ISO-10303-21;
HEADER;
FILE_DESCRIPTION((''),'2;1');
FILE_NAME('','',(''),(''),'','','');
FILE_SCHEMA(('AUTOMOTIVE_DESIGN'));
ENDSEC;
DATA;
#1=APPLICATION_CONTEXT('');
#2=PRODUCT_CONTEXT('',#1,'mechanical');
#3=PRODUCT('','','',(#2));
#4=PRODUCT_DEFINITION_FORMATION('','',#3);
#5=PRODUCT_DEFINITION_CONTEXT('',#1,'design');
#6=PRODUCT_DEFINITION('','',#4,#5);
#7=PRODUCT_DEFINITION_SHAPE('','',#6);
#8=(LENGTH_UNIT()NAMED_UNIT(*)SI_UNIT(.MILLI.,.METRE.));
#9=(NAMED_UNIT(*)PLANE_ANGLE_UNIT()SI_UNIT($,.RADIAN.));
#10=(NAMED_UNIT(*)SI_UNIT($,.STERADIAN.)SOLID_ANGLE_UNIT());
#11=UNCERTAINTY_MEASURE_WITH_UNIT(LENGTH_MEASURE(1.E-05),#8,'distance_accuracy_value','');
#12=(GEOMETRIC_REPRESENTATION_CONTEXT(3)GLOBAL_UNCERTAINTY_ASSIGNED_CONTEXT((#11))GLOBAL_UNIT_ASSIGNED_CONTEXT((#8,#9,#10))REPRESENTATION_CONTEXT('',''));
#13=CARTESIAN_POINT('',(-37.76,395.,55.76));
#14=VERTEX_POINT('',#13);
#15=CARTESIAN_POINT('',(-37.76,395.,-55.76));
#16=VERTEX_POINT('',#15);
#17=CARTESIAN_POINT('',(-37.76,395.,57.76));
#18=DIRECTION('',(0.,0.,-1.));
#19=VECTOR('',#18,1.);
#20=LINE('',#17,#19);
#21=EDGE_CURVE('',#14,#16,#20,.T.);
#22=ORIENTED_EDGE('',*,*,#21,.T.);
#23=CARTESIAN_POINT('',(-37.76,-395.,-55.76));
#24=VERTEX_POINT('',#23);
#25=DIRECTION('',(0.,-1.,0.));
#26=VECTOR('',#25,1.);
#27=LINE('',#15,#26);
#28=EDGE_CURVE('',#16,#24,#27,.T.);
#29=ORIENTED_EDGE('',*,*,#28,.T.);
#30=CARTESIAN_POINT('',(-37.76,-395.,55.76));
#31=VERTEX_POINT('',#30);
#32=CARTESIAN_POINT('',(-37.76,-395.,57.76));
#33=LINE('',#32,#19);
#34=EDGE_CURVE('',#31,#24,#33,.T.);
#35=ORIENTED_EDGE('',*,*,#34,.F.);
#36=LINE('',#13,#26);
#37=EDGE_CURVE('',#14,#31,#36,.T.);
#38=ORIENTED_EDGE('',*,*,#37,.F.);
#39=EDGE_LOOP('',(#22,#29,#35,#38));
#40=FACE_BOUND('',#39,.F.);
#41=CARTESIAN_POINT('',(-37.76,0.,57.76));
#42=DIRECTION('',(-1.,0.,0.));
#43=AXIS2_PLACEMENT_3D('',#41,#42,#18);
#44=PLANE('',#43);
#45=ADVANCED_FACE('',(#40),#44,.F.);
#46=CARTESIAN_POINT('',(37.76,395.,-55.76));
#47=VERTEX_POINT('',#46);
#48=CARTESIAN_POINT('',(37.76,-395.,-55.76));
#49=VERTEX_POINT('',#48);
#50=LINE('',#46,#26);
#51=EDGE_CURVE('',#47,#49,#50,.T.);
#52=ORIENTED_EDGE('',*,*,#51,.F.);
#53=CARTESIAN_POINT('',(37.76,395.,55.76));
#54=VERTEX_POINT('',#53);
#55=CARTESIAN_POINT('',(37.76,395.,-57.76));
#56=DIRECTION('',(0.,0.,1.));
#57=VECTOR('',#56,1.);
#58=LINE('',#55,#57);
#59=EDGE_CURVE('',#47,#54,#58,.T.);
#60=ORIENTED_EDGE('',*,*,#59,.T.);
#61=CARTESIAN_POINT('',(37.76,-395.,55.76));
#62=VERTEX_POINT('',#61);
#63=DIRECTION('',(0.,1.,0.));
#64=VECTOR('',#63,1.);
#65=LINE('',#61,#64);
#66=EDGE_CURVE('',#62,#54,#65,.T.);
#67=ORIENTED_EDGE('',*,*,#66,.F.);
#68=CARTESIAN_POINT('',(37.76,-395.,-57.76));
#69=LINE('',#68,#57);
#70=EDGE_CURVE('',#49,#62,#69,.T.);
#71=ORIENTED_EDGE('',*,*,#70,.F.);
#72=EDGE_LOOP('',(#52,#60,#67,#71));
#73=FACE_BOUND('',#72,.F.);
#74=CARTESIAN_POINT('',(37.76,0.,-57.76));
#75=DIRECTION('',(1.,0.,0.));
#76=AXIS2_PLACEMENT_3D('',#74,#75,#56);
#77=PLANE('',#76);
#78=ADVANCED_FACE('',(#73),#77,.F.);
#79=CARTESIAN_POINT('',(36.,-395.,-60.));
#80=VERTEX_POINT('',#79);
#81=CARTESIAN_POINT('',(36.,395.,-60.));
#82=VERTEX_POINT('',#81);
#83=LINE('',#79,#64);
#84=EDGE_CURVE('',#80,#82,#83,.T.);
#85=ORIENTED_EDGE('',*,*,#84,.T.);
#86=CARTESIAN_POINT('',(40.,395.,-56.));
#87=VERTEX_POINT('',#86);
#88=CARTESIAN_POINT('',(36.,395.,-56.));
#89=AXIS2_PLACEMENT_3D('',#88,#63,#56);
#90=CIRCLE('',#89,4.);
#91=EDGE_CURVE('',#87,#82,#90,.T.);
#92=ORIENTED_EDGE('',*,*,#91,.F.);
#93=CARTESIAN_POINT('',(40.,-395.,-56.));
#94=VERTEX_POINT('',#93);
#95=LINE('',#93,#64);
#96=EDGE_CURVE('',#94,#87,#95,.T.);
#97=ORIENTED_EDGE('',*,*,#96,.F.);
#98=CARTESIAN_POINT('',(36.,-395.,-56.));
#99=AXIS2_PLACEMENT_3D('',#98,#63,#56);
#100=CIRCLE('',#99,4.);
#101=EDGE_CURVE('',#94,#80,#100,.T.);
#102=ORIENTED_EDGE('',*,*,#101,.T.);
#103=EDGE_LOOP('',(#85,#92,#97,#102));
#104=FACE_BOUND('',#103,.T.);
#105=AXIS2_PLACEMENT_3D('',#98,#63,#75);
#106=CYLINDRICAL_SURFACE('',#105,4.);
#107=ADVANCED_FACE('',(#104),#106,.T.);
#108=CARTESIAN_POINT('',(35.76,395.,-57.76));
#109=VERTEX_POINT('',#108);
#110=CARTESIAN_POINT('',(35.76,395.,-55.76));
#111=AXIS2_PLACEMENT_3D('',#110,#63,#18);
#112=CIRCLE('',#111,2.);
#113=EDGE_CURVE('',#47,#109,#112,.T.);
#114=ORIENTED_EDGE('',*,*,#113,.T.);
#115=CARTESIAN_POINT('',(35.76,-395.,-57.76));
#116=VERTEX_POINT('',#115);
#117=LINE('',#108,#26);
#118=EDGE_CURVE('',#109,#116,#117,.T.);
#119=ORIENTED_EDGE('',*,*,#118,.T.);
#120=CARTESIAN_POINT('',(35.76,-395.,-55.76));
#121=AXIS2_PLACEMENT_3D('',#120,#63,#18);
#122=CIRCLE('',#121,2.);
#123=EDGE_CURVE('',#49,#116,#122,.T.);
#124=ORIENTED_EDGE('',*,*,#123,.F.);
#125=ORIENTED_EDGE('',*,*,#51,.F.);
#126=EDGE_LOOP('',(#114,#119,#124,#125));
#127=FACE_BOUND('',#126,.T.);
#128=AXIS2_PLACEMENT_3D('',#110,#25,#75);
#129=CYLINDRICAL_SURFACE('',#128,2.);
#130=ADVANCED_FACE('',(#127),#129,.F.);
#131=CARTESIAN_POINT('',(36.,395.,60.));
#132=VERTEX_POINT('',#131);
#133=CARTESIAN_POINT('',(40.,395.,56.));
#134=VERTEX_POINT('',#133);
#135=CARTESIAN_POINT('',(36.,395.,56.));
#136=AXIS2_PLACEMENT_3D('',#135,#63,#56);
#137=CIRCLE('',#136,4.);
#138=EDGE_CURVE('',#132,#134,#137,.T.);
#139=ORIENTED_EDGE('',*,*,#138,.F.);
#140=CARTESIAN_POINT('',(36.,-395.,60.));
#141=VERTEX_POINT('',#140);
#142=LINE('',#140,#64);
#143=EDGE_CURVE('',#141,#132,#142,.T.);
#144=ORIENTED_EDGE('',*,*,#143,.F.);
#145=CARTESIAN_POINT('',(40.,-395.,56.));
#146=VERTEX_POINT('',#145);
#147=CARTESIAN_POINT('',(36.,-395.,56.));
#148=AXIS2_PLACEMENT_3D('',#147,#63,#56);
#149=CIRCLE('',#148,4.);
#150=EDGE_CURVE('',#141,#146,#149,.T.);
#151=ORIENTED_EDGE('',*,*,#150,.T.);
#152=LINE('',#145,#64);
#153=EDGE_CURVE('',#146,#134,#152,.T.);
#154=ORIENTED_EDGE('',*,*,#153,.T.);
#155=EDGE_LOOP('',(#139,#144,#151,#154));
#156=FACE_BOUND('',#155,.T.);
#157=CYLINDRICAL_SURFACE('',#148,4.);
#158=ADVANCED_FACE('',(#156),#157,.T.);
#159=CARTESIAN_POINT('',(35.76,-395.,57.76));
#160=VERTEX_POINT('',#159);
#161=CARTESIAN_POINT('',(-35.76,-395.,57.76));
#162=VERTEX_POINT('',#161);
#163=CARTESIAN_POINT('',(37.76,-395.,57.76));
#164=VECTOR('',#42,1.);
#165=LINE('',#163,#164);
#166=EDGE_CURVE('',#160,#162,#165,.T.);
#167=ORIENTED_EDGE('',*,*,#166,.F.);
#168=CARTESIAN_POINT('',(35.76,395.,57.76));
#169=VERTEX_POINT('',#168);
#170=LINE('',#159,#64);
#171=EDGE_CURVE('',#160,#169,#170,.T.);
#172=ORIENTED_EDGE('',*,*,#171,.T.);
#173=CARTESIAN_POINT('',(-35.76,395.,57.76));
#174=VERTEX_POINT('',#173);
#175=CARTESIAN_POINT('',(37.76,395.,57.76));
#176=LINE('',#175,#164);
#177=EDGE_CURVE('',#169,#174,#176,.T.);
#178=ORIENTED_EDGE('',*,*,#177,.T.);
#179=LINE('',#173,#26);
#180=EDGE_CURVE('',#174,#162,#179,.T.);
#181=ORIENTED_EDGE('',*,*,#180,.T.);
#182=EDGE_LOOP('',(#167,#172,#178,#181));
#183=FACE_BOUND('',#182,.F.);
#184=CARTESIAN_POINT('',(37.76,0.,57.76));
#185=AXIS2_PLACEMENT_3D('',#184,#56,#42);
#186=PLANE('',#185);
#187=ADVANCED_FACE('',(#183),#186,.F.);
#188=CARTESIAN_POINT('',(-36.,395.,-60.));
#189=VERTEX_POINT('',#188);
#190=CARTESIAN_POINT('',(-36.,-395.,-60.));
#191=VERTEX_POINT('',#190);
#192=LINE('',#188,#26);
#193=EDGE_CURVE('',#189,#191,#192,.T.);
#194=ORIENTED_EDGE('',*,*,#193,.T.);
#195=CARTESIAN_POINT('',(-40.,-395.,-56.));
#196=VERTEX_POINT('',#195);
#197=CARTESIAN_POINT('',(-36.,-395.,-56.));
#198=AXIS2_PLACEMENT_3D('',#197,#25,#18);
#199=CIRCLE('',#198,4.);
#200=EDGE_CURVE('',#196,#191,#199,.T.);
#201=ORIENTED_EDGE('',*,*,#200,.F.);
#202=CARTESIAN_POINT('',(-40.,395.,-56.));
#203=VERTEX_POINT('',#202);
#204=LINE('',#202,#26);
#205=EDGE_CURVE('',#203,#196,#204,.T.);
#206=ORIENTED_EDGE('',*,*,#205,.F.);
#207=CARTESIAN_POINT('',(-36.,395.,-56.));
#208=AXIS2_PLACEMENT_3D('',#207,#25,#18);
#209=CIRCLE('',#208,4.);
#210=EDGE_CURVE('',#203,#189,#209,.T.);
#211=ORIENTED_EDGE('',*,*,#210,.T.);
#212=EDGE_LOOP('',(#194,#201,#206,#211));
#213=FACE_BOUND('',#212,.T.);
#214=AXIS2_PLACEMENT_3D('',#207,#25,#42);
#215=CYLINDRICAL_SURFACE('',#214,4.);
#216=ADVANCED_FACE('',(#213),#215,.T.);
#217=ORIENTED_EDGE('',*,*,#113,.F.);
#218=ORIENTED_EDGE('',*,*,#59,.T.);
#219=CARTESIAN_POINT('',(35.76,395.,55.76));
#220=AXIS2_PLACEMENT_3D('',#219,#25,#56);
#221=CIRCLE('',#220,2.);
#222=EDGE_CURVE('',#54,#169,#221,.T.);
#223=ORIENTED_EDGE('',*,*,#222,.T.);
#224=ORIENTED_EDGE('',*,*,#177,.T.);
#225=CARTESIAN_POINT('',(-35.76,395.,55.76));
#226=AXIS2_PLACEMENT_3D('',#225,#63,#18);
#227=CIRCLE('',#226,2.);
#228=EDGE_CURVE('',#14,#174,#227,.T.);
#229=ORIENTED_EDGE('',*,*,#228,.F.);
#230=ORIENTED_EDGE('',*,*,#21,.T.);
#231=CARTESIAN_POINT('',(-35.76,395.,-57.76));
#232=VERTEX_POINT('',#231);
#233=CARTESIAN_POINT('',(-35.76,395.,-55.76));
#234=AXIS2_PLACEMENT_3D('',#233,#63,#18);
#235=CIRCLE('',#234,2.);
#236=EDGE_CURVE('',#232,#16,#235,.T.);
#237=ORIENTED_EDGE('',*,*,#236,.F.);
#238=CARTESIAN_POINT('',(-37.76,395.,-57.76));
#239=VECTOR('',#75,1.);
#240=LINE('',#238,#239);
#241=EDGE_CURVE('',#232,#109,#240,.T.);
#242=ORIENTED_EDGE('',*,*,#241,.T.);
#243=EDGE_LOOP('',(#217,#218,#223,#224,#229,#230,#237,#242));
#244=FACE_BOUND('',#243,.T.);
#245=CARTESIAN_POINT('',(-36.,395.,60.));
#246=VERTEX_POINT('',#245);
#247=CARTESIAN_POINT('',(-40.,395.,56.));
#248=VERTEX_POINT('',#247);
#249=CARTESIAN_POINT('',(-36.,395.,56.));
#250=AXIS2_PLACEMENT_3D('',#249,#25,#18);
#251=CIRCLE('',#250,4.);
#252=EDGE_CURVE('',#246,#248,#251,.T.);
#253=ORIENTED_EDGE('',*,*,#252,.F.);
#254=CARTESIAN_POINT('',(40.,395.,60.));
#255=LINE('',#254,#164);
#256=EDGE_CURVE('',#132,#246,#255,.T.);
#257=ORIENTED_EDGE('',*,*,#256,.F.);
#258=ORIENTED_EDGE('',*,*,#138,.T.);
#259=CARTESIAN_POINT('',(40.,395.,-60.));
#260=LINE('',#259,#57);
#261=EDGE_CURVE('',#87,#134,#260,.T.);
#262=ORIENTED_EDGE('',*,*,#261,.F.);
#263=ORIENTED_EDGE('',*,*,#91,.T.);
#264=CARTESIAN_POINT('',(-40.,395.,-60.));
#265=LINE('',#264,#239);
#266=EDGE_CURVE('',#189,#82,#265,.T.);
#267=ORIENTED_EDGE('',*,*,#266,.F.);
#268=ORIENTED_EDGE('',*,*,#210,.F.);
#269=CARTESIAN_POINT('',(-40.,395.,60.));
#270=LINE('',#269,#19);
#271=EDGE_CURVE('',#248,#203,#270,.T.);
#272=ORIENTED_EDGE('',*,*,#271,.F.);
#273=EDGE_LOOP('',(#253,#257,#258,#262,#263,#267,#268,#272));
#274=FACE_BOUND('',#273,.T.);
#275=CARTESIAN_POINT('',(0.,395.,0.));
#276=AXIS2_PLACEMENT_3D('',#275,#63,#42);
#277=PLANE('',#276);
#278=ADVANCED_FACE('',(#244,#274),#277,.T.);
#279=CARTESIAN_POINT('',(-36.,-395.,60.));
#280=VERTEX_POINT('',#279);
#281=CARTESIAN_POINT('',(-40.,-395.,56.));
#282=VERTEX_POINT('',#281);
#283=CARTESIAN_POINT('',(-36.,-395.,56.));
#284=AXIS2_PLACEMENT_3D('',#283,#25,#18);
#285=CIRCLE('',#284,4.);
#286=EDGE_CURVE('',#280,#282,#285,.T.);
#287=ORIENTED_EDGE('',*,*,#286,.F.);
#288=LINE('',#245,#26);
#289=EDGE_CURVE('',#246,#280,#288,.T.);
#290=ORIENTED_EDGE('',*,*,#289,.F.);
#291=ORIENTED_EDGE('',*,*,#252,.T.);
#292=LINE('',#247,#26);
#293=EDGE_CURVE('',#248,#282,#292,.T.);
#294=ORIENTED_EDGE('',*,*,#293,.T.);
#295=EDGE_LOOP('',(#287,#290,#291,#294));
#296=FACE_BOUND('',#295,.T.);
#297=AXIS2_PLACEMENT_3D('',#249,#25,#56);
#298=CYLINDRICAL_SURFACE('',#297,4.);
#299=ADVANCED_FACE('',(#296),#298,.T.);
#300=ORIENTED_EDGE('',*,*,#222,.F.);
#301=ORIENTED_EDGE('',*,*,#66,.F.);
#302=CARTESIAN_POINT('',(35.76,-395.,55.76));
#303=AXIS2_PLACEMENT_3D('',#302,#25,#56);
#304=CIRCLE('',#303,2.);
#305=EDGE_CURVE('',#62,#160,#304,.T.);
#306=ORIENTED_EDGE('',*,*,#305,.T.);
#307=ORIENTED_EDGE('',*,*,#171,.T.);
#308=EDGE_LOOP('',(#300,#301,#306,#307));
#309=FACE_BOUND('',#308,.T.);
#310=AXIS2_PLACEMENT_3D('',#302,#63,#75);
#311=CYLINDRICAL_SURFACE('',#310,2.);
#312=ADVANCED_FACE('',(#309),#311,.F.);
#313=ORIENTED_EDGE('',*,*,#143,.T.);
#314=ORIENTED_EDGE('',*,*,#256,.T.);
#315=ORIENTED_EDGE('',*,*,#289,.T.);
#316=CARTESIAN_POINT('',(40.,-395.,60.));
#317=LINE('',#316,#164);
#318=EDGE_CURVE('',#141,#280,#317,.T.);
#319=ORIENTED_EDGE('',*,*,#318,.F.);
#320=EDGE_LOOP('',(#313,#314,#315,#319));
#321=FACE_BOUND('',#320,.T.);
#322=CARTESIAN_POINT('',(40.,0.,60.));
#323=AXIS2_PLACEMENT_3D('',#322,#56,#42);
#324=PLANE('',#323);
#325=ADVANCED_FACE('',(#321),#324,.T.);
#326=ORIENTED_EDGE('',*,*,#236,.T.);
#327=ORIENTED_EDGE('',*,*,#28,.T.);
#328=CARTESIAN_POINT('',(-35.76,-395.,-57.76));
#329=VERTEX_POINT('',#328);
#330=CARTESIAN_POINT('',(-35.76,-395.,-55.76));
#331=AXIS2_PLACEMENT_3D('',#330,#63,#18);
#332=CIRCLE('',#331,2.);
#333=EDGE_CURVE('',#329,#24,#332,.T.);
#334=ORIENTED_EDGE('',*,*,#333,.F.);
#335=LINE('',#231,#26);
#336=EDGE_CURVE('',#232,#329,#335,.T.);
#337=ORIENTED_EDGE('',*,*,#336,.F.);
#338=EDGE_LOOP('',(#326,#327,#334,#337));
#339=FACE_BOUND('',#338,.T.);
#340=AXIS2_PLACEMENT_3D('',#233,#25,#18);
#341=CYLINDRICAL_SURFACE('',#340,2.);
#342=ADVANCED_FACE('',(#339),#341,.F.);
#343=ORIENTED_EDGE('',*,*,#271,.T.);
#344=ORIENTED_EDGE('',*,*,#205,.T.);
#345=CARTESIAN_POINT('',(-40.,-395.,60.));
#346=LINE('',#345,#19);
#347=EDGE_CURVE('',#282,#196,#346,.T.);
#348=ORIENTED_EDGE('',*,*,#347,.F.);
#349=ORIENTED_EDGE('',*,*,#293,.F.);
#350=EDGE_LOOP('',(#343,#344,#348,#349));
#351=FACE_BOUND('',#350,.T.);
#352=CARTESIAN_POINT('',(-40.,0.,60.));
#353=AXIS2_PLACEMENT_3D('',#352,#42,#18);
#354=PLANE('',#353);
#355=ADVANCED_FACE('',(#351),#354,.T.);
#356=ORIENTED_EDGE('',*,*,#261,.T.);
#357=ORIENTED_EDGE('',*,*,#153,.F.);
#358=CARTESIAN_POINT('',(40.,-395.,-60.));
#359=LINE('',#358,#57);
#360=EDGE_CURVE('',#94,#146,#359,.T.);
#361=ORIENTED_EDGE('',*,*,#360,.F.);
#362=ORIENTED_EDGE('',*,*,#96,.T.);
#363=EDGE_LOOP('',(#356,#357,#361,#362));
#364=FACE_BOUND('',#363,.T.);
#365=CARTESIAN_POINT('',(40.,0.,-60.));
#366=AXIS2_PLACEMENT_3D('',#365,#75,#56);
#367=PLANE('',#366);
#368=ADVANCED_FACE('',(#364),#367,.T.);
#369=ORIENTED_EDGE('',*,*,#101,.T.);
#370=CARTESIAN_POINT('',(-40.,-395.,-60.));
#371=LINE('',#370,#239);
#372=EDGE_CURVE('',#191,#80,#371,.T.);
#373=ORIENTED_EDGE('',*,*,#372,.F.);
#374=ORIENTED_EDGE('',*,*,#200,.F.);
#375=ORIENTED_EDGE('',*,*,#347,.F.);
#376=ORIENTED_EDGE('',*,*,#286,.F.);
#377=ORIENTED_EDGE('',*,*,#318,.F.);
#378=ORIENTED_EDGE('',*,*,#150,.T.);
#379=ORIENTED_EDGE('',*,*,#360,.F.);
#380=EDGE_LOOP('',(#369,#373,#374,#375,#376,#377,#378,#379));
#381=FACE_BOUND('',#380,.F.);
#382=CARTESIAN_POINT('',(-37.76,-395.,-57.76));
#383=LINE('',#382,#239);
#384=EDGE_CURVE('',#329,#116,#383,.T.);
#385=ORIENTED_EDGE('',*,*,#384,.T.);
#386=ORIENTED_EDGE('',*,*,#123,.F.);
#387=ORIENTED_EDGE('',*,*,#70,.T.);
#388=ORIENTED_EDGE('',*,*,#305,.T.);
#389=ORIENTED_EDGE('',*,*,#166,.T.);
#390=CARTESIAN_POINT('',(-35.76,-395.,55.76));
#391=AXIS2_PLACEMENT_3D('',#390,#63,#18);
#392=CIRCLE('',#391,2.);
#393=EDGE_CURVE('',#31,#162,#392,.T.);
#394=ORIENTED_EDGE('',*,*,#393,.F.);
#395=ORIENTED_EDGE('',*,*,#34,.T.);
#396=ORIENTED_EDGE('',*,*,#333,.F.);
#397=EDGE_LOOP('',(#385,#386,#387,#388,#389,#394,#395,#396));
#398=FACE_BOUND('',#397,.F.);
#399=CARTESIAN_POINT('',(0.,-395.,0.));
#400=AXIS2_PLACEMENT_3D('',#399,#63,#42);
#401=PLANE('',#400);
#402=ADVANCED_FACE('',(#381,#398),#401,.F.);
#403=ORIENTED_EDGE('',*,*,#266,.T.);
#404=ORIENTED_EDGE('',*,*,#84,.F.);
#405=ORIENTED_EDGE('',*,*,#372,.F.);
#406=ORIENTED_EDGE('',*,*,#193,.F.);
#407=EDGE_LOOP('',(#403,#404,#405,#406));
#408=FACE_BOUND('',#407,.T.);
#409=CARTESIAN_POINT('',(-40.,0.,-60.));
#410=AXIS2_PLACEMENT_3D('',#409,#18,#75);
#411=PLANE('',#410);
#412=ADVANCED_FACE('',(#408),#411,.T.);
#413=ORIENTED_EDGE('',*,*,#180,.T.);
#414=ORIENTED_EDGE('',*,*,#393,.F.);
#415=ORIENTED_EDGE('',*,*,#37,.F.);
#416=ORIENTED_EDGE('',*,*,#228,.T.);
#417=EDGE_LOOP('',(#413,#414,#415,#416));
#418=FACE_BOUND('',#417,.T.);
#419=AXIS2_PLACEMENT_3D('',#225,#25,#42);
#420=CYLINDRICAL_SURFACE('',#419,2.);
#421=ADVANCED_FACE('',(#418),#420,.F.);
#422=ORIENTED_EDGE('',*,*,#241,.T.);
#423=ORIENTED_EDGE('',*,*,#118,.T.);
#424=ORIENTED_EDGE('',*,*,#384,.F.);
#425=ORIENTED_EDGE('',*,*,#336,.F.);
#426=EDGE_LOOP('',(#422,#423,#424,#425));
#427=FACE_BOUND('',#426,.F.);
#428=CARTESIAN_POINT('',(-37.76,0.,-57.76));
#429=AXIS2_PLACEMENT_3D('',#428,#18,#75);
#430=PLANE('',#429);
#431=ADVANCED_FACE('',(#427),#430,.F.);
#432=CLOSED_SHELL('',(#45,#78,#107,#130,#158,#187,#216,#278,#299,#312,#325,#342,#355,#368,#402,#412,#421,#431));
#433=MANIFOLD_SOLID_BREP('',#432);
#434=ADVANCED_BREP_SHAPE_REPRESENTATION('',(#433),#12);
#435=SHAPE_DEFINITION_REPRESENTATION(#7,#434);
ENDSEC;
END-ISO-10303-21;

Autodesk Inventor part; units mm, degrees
ref_plane "YZ Plane" through (0, 0, 0) normal (1, 0, 0) x (0, 1, 0)
ref_plane "XZ Plane" through (0, 0, 0) normal (0, 1, 0) x (-1, 0, 0)
ref_plane "XY Plane" through (0, 0, 0) normal (0, 0, 1) x (1, 0, 0)
sketch "Sketch2" plane through (0, 0, 0) normal (0, 1, 0) x (-1, 0, 0)
  line L0 (-40, 60) -> (40, 60)
  line L1 (40, 60) -> (40, -60)
  line L2 (40, -60) -> (-40, -60)
  line L3 (-40, -60) -> (-40, 60)
  line L4 (-40, 60) -> (40, -60) construction
  line L5 (40, 60) -> (-40, -60) construction
  line L6 (-37.76, 57.76) -> (37.76, 57.76)
  line L7 (37.76, 57.76) -> (37.76, -57.76)
  line L8 (37.76, -57.76) -> (-37.76, -57.76)
  line L9 (-37.76, -57.76) -> (-37.76, 57.76)
  line L10 (-37.76, 57.76) -> (37.76, -57.76) construction
  line L11 (37.76, 57.76) -> (-37.76, -57.76) construction
  point P0 (0, 0)
  dimension "d8" = 80
  dimension "d9" = 120
  dimension "d10" = 75.52
  dimension "d61" = 115.52
extrude "Extrusion2" add sketch "Sketch2" along normal mid plane 790
fillet "Fillet2" radius 4 4 edges at (-40, 0, 60) (40, 0, 60) (40, 0, -60) (-40, 0, -60)
fillet "Fillet2" radius 2 4 edges at (37.76, 0, 57.76) (-37.76, 0, -57.76) (37.76, 0, -57.76) (-37.76, 0, 57.76)
properties part number "SP20V1 Tubo 80x120x790mm" material "Acero, carbono"
